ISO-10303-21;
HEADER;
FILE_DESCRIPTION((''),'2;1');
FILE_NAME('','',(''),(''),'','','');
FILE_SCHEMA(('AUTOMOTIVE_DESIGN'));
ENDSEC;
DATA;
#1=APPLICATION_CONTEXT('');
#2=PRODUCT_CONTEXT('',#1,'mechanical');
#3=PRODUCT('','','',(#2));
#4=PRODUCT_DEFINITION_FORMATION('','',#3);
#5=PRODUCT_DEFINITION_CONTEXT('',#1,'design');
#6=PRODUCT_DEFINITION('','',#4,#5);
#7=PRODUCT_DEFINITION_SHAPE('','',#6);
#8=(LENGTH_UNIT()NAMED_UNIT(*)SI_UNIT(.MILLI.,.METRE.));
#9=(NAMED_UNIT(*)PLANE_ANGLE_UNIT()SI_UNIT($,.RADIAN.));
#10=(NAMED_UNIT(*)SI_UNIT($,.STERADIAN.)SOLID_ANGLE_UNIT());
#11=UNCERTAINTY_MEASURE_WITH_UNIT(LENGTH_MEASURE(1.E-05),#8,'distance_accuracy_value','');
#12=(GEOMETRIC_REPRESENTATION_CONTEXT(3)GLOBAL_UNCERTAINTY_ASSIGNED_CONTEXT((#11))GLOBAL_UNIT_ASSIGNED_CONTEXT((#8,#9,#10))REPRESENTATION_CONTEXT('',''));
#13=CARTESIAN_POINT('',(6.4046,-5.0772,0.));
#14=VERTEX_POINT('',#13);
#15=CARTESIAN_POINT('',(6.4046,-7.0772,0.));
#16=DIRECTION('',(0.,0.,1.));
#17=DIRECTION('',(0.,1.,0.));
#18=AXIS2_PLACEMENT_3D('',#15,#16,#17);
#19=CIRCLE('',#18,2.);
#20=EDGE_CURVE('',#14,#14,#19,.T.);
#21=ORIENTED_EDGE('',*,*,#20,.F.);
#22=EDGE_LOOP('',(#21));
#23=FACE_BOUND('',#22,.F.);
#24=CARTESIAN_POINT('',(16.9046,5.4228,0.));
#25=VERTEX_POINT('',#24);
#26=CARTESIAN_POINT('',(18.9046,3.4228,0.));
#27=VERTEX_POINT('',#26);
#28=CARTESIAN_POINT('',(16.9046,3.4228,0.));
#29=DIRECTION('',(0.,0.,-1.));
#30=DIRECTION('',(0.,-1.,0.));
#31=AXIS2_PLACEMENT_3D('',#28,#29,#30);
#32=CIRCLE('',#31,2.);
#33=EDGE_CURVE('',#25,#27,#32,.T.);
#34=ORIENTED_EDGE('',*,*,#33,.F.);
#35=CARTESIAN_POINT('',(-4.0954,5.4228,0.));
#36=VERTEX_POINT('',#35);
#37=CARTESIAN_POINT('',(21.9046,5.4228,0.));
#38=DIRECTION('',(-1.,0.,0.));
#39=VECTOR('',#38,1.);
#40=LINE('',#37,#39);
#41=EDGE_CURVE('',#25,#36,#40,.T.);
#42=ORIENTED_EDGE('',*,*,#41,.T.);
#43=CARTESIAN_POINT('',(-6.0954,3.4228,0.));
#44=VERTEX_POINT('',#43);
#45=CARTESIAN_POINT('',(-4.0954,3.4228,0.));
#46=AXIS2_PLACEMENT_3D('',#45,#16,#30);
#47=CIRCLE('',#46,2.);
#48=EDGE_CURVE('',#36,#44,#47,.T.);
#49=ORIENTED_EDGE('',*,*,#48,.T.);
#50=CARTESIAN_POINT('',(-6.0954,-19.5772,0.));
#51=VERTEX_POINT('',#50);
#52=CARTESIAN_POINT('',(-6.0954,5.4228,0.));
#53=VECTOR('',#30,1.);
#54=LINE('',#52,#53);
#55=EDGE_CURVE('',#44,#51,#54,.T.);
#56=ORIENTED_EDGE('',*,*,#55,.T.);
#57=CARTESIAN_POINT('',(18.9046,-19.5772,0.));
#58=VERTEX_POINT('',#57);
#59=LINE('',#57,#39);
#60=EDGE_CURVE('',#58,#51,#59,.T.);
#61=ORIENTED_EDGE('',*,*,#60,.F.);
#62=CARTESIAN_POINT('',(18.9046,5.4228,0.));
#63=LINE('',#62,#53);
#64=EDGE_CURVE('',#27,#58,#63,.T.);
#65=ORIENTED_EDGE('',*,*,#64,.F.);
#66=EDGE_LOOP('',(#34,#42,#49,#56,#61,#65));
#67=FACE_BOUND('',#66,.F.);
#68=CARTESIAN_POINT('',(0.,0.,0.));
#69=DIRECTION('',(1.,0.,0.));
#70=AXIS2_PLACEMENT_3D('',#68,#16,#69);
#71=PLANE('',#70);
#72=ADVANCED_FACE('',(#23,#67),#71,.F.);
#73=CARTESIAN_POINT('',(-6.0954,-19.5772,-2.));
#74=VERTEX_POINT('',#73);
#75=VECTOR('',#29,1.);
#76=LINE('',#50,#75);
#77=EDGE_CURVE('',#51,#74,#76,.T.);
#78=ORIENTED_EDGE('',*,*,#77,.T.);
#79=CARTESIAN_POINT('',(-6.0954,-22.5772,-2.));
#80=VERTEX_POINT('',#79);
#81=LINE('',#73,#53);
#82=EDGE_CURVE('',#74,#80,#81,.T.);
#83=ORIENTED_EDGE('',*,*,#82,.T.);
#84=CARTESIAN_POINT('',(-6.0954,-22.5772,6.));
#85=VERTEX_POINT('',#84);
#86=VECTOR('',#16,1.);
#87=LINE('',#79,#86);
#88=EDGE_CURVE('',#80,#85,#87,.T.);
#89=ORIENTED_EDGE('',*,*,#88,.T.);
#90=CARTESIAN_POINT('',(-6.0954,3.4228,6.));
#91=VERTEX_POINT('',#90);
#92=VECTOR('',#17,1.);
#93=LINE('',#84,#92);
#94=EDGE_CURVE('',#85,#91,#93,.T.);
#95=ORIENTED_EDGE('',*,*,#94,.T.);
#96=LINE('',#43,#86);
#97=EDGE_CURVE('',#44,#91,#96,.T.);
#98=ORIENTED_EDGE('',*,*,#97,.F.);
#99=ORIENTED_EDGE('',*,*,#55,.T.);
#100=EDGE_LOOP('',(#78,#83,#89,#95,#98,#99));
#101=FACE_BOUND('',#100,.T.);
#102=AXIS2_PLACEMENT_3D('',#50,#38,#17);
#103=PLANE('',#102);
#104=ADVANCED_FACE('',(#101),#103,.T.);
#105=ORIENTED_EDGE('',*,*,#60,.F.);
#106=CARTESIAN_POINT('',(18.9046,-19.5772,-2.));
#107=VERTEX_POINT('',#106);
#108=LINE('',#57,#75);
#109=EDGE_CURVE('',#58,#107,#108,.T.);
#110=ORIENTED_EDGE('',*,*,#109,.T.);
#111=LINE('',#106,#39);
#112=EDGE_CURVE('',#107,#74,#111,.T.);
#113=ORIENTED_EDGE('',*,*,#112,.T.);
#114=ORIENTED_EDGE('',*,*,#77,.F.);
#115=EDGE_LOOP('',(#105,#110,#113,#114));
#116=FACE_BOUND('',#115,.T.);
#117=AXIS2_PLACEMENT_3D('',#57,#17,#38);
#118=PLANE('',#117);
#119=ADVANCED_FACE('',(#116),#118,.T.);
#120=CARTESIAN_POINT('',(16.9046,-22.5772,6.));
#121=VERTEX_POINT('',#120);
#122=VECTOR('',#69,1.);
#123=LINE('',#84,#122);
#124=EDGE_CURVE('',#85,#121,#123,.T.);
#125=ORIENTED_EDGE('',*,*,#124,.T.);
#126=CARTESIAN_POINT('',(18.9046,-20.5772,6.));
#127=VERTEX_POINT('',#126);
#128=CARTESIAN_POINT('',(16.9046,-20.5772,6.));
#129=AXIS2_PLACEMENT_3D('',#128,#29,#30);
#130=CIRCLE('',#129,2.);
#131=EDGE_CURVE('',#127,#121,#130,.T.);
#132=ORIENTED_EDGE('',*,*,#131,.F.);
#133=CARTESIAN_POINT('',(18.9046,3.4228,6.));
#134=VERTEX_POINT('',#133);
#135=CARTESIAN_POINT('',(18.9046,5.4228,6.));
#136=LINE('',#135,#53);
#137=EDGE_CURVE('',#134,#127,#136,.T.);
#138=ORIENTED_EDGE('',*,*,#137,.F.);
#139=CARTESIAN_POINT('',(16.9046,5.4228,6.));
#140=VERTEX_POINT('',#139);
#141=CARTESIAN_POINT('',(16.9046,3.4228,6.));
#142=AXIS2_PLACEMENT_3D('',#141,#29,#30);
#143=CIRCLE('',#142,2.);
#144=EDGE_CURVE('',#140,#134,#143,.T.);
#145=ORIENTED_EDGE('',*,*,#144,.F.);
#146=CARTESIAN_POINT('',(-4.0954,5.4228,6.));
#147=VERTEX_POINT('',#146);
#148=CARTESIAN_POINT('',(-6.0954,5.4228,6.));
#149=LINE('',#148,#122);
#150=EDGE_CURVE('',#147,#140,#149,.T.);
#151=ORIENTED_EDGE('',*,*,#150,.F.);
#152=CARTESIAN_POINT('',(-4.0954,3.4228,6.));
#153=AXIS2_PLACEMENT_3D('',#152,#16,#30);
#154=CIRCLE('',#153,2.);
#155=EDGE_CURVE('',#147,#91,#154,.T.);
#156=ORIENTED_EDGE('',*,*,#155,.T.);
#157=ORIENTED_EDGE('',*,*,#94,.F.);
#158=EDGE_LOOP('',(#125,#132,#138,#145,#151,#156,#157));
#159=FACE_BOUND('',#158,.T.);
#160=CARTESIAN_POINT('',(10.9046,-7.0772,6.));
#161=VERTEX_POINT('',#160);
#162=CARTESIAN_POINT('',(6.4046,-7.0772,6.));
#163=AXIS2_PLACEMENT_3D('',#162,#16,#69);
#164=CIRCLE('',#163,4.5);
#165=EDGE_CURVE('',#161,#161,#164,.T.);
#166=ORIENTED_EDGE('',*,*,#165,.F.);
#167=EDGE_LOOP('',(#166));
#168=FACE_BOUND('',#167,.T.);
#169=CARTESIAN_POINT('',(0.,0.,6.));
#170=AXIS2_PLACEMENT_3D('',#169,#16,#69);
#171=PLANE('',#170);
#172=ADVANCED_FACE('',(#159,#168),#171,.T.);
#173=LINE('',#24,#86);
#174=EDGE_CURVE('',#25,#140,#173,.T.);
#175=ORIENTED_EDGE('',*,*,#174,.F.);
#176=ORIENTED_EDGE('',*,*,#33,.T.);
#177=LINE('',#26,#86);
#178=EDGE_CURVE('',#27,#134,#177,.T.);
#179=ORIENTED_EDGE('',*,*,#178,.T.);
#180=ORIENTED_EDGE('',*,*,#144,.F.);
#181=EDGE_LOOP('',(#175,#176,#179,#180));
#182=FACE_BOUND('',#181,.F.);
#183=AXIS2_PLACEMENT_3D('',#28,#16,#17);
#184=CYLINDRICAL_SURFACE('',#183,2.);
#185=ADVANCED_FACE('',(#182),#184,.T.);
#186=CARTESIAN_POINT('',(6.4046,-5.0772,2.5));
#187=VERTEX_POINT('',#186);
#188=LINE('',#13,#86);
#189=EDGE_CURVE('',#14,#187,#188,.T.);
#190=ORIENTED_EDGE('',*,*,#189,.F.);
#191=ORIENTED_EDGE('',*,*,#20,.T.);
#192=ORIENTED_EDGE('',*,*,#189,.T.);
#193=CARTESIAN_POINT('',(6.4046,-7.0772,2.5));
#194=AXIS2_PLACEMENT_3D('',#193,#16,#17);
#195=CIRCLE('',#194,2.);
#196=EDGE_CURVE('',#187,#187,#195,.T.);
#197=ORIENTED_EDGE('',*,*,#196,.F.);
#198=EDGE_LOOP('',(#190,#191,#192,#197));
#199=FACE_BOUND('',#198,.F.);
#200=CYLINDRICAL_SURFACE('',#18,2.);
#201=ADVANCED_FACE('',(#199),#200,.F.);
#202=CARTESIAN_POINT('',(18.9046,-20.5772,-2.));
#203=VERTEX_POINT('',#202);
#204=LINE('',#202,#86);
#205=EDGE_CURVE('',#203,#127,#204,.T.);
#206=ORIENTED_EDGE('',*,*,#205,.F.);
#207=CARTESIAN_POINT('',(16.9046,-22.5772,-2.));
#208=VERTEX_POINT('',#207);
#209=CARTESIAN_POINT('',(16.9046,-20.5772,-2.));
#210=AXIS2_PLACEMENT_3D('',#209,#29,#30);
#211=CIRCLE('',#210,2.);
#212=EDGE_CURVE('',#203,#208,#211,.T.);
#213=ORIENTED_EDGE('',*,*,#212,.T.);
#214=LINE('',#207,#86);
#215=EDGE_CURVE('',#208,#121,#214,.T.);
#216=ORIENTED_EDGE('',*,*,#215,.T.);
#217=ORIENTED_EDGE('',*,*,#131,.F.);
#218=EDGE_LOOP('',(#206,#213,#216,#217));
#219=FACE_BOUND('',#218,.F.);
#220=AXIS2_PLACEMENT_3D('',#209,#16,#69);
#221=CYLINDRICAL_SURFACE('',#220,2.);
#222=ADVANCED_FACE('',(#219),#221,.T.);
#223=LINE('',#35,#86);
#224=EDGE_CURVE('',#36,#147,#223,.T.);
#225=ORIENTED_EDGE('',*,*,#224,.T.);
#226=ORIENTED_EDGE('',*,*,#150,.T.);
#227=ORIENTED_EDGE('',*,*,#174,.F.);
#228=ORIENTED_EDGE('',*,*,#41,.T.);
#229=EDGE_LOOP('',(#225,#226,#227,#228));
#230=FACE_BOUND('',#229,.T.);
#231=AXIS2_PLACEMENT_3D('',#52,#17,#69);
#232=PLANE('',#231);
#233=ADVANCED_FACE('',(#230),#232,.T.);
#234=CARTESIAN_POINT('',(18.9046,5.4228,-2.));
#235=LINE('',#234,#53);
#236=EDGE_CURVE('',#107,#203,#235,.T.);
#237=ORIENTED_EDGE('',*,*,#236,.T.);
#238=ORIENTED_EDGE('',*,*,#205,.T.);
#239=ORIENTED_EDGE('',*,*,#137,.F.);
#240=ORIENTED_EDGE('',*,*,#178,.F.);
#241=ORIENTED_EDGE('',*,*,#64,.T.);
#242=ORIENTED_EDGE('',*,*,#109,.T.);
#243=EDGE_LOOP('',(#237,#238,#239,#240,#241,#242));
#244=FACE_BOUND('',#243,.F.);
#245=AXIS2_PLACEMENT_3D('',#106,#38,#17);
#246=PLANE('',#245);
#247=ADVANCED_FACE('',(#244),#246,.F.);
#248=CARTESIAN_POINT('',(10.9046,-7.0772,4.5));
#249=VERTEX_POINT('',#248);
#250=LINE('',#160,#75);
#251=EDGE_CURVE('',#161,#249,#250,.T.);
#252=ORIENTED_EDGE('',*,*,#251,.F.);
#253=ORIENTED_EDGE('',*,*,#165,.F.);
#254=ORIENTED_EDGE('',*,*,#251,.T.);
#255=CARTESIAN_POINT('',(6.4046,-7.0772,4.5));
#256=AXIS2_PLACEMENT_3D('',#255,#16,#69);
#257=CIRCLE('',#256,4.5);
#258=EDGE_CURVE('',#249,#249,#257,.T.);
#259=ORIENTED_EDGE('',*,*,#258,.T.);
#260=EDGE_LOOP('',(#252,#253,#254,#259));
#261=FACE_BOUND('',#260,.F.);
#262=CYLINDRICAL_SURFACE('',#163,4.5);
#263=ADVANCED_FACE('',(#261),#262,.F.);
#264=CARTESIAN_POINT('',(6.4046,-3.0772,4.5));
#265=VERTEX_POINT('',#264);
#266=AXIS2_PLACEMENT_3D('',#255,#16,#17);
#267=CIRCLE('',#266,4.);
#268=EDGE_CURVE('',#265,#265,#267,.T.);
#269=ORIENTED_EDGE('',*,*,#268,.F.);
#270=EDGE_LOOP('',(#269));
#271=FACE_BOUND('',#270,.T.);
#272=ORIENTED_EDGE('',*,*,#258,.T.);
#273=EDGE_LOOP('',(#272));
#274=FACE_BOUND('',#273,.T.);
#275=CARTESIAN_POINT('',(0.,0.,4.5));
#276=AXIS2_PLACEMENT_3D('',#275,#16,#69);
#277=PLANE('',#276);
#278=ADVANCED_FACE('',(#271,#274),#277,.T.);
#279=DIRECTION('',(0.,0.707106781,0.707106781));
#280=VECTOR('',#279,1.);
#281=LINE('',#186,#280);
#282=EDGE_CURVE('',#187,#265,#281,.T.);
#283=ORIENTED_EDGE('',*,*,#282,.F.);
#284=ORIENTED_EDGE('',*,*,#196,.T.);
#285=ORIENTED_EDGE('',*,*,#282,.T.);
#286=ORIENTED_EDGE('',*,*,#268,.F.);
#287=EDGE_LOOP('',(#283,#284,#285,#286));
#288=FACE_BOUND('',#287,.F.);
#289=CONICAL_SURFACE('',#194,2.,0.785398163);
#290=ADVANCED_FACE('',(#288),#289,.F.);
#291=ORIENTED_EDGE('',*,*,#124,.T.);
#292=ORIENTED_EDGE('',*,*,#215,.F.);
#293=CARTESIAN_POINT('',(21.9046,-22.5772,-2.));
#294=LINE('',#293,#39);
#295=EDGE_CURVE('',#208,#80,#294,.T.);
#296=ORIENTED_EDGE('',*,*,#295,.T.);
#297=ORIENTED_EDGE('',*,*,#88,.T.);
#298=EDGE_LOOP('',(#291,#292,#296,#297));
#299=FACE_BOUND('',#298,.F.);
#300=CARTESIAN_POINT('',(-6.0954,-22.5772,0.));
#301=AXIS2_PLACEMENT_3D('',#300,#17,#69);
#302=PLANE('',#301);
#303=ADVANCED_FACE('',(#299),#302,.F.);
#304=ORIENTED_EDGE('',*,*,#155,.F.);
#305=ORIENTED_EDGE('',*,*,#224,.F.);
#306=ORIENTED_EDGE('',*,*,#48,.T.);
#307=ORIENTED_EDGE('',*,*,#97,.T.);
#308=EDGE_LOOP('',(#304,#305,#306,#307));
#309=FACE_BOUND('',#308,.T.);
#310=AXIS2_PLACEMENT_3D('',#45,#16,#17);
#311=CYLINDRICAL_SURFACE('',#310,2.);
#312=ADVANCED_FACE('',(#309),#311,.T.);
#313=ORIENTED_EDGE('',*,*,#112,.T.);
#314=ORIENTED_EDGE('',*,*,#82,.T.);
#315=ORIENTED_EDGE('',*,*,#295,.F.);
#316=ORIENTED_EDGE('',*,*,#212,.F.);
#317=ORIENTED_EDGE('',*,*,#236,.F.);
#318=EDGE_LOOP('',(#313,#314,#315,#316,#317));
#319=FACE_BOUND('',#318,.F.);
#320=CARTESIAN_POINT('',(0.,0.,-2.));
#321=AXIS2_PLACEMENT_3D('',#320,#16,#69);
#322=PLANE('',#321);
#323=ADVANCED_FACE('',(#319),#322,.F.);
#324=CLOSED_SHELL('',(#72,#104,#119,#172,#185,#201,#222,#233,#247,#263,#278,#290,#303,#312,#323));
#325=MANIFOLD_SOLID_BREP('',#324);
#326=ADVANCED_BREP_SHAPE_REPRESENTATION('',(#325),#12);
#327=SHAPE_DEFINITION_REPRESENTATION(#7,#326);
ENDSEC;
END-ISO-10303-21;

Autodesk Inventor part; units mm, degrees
ref_plane "YZ Plane" through (0, 0, 0) normal (1, 0, 0) x (0, 1, 0)
ref_plane "XZ Plane" through (0, 0, 0) normal (0, 1, 0) x (-1, 0, 0)
ref_plane "XY Plane" through (0, 0, 0) normal (0, 0, 1) x (1, 0, 0)
sketch "Sketch1" plane through (0, 0, 0) normal (0, 0, 1) x (1, 0, 0)
  line L0 (-6.0954, 5.4228) -> (18.9046, 5.4228)
  line L1 (18.9046, 5.4228) -> (18.9046, -19.5772)
  line L2 (18.9046, -19.5772) -> (-6.0954, -19.5772)
  line L3 (-6.0954, -19.5772) -> (-6.0954, 5.4228)
  line L4 (-6.0954, -22.5772) -> (21.9046, -22.5772)
  line L5 (21.9046, -22.5772) -> (21.9046, 5.4228)
  line L6 (18.9046, 5.4228) -> (21.9046, 5.4228)
  line L7 (-6.0954, -19.5772) -> (-6.0954, -22.5772)
  line L8 (18.9046, -19.5772) -> (18.9046, -22.5772)
  point P0 (0, 0)
  point P1 (6.4046, -7.0772)
  dimension "d0" = 25
  dimension "d1" = 25
  dimension "d2" = 3
  dimension "d3" = 3
  dimension "d4" = 12.5
  dimension "d5" = 12.5
extrude "Extrusion1" add sketch "Sketch1" along normal blind 6
extrude "Extrusion2" add sketch "Sketch1" against normal blind 2 contours L6 L5 L4 L8 L1 | L2 L8 L4 L7
hole "Hole1" at (6.4046, -7.0772, 0) direction (0, 0, 1) diameter 4 end through all
sketch "Sketch2" plane through (0, 0, 6) normal (0, 0, 1) x (1, 0, 0)
  circle A0 centre (6.4046, -7.0772) radius 2 projected
  line L0 (-6.0954, 5.4228) -> (-6.0954, -22.5772) projected
  line L1 (-6.0954, -22.5772) -> (21.9046, -22.5772) projected
  line L2 (21.9046, -22.5772) -> (21.9046, 5.4228) projected
  line L3 (21.9046, 5.4228) -> (-6.0954, 5.4228) projected
  circle A1 centre (6.4046, -7.0772) radius 2 projected
  circle A2 centre (6.4046, -7.0772) radius 4.5
  point P0 (0, 0)
  dimension "d17" = 9
extrude "Extrusion3" cut sketch "Sketch2" against normal blind 1.5 contours A2
chamfer "Chamfer1" distance 2 angle 45 1 edges at (6.4046, -9.0772, 4.5)
sketch "Sketch3" plane through (0, 0, -2) normal (0, 0, -1) x (-1, 0, 0)
  line L0 (6.0954, -19.5772) -> (-18.9046, -19.5772) projected
  line L1 (-18.9046, -19.5772) -> (-18.9046, 5.4228) projected
  line L2 (-18.9046, 5.4228) -> (-21.9046, 5.4228) projected
  line L3 (-21.9046, 5.4228) -> (-21.9046, -22.5772) projected
  line L4 (-21.9046, -22.5772) -> (6.0954, -22.5772) projected
  line L5 (6.0954, -22.5772) -> (6.0954, -19.5772) projected
  line L6 (-18.9046, 5.4228) -> (-21.9046, 5.4228) projected
  line L7 (-21.9046, 5.4228) -> (-18.9046, 5.4228)
  line L8 (-18.9046, 5.4228) -> (-18.9046, -22.5772)
  line L9 (-18.9046, -22.5772) -> (-21.9046, -22.5772)
  line L10 (-21.9046, -22.5772) -> (-21.9046, 5.4228)
  point P0 (0, 0)
extrude "Extrusion4" cut sketch "Sketch3" against normal through all contours L8 L4 L3 L2 L1
fillet "Fillet2" radius 2 3 edges at (18.9046, -22.5772, 2) (-6.0954, 5.4228, 3) (18.9046, 5.4228, 3)
equation "\"d4\" = 0.5 * d0"
properties part number "3DP_PLA_Base_plate_side_leg" material "ABS Plastic"
